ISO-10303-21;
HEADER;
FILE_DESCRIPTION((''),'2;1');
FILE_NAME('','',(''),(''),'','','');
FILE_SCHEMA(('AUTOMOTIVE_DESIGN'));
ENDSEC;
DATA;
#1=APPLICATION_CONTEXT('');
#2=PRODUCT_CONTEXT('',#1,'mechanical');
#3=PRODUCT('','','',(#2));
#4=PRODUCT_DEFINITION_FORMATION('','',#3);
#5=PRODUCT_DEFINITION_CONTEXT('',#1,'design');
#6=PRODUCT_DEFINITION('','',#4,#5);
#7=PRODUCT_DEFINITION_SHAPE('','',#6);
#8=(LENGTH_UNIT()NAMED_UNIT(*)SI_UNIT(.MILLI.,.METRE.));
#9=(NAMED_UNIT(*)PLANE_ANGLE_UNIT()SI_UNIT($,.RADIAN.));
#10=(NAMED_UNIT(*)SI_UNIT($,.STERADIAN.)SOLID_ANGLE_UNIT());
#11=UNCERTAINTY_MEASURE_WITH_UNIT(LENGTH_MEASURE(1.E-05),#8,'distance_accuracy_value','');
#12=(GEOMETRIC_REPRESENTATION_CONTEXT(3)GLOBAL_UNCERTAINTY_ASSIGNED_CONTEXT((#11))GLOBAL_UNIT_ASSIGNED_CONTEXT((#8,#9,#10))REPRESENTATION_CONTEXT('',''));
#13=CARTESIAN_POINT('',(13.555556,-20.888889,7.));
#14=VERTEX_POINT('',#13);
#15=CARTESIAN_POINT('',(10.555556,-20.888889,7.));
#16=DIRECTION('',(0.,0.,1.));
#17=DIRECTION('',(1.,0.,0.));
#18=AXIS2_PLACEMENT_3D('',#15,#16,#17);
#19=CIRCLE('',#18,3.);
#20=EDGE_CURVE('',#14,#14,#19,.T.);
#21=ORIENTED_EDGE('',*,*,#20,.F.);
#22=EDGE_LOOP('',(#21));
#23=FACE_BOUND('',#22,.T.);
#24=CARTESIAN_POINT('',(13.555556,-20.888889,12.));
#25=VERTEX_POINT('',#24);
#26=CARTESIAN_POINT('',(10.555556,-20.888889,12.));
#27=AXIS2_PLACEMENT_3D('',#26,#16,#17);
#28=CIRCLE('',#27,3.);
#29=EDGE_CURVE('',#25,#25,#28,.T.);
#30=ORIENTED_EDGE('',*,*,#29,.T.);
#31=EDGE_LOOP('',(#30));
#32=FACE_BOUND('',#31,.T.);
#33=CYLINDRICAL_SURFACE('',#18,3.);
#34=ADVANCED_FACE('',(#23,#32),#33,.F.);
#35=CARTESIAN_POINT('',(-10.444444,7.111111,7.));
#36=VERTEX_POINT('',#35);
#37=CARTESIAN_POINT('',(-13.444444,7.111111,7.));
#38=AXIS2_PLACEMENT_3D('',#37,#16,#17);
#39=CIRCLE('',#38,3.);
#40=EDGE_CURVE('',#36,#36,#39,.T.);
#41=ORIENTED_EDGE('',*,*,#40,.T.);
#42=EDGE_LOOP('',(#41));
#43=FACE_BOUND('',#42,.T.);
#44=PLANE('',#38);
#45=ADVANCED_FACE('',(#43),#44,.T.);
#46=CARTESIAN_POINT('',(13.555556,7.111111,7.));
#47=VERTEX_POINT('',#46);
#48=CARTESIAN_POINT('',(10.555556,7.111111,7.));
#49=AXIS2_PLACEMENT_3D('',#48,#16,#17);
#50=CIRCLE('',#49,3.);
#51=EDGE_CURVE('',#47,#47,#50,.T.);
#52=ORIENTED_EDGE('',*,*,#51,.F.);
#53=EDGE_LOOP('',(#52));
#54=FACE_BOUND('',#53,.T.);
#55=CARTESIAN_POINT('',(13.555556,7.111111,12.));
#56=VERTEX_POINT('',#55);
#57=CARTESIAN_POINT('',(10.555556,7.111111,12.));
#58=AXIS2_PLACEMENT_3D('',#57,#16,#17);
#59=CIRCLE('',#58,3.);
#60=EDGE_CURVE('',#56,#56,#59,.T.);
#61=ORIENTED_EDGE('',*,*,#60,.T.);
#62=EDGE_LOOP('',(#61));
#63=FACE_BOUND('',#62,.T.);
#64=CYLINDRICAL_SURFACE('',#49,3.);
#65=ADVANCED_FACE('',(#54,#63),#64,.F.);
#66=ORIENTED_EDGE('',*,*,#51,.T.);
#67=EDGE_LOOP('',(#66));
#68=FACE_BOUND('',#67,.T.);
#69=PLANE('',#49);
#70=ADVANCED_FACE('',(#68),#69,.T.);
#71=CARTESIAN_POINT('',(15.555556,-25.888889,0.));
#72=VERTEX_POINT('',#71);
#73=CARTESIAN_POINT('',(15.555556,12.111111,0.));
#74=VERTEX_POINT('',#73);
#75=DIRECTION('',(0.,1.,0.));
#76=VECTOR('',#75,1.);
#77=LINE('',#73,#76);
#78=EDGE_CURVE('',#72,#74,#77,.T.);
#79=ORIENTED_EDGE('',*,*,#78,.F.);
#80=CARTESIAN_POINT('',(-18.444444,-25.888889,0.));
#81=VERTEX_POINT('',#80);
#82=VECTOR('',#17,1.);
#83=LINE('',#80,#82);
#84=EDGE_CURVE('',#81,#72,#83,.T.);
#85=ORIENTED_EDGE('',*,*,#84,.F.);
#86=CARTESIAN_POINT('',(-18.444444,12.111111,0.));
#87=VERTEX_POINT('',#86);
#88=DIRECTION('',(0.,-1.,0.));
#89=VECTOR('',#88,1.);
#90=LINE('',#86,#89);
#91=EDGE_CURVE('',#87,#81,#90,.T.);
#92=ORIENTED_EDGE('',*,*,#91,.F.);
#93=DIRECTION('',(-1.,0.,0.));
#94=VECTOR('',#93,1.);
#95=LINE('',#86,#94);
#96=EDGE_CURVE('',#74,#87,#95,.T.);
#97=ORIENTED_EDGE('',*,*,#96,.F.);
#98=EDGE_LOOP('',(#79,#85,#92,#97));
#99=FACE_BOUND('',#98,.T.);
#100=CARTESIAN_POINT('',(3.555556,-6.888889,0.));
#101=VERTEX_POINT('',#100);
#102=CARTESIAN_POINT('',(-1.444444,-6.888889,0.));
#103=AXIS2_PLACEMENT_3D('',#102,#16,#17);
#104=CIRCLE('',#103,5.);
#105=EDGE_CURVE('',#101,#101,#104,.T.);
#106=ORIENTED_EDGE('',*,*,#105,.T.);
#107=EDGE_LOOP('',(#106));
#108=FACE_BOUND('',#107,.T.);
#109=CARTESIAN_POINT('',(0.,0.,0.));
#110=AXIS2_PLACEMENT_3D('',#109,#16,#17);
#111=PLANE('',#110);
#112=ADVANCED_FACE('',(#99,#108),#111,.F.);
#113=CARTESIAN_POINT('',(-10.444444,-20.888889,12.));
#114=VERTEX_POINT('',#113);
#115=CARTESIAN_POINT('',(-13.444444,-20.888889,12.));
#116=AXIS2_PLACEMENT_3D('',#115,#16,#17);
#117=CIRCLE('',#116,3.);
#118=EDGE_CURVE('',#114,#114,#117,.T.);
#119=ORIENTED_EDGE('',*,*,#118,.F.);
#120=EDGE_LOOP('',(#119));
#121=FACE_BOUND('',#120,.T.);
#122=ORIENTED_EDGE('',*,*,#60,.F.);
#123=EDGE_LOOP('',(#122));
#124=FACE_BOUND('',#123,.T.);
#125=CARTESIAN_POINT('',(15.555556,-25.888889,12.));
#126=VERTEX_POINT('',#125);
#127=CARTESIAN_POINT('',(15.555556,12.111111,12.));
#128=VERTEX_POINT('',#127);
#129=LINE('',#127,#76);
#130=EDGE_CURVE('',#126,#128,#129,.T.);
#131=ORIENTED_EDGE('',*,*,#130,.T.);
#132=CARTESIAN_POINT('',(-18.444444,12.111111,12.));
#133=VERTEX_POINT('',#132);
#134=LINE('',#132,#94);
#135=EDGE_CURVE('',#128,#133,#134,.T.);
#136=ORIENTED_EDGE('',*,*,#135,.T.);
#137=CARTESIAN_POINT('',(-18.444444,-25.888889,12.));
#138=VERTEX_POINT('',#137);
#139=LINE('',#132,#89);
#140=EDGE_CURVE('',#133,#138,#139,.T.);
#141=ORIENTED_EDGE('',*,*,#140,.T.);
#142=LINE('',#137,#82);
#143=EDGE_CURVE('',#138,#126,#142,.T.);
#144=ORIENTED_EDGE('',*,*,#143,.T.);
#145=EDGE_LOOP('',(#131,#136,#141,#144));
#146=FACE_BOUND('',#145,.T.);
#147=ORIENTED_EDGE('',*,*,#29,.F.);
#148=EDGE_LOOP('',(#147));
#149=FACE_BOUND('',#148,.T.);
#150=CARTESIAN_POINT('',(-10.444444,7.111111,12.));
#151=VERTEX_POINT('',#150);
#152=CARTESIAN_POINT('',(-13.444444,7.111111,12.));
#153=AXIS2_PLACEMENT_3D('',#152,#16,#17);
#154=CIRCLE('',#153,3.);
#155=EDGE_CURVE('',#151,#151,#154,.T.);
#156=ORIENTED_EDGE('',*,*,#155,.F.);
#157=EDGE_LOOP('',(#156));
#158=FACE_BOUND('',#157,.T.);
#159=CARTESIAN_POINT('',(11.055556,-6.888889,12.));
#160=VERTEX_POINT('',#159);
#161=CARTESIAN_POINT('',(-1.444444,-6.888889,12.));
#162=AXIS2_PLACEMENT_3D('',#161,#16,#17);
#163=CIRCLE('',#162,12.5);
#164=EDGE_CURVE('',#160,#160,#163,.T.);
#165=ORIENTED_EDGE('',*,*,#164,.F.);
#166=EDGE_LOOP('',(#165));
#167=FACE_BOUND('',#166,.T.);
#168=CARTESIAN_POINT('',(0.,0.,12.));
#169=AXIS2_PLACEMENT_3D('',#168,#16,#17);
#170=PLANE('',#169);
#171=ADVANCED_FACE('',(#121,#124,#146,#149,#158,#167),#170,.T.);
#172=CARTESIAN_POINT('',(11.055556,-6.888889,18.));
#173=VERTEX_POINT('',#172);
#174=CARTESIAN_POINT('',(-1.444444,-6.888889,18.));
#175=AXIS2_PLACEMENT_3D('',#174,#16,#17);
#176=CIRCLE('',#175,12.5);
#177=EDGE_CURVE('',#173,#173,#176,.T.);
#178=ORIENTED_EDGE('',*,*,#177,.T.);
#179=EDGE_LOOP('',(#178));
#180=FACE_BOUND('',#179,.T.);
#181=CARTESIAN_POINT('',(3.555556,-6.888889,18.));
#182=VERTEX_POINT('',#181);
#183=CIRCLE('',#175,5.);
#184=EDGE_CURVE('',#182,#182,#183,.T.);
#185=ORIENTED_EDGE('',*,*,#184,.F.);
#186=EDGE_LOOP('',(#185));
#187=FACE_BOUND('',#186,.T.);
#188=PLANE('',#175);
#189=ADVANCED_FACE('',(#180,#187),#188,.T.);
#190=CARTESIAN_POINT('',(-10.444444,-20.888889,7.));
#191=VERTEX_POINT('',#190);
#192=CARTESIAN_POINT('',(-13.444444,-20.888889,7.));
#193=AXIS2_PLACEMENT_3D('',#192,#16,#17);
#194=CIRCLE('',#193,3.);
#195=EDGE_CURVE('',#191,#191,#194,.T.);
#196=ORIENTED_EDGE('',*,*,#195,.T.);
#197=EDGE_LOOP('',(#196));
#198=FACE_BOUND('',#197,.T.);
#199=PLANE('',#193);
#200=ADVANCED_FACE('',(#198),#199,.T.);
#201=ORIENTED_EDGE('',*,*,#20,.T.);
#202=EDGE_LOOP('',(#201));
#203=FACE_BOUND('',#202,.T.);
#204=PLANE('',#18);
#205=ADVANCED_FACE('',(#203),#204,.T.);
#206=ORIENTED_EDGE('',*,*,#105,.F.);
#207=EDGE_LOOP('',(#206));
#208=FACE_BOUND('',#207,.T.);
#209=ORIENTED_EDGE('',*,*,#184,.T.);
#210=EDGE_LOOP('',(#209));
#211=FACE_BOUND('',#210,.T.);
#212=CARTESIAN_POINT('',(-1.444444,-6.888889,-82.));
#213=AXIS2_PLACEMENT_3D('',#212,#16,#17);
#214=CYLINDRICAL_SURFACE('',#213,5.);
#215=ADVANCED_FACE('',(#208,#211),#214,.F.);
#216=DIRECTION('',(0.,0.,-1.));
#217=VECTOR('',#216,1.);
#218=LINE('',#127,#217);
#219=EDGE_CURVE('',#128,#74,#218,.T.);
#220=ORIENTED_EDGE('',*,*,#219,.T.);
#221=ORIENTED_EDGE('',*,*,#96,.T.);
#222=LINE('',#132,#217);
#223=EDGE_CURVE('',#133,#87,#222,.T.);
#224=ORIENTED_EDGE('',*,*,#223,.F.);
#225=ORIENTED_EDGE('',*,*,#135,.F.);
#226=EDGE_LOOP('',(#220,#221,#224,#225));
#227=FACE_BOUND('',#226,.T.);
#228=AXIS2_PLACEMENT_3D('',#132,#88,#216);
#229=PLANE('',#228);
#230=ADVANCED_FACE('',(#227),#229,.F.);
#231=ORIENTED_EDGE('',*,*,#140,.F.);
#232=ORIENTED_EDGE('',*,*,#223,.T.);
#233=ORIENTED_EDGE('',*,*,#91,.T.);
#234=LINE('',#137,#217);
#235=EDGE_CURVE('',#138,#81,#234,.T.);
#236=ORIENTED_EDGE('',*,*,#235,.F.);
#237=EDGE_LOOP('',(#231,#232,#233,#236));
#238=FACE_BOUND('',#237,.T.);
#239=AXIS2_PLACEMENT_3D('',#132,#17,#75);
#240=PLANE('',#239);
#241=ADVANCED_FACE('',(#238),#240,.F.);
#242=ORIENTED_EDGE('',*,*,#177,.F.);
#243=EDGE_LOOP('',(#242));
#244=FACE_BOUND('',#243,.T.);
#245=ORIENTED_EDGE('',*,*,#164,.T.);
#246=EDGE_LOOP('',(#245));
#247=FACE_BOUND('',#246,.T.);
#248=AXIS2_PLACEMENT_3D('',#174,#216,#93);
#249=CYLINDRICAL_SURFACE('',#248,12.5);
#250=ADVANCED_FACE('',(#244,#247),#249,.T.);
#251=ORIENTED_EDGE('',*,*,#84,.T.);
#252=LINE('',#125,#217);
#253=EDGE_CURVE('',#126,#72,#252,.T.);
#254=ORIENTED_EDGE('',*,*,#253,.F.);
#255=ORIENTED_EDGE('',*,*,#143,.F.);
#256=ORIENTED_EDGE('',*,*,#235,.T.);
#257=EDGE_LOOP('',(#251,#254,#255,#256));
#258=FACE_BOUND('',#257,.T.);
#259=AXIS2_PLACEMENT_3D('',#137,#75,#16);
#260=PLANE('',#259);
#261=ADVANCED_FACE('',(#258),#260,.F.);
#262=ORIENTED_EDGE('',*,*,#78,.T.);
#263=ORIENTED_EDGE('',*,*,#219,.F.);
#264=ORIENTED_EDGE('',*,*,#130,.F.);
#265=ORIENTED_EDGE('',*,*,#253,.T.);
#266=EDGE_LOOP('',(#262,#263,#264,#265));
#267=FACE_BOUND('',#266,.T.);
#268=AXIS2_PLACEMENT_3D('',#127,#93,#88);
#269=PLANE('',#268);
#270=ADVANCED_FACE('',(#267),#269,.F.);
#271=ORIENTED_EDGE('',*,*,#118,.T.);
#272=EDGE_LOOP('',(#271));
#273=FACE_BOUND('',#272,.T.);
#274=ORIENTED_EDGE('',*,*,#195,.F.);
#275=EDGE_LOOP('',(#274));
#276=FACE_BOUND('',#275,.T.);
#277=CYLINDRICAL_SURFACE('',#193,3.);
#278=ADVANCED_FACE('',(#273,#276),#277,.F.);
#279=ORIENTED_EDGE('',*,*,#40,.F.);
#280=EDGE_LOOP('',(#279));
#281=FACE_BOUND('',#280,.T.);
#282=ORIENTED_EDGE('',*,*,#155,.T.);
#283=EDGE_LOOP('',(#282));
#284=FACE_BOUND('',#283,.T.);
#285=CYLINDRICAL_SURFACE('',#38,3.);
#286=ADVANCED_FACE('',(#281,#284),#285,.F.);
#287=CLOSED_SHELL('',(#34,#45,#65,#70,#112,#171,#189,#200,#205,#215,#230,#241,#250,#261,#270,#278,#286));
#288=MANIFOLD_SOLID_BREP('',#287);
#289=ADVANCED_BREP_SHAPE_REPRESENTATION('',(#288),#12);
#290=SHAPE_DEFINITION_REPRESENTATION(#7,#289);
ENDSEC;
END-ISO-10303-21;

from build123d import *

# Parameters (mm, degrees)
SKETCH1_W            = 34
SKETCH1_H            = 38
BOSS_EXTRUDE1_DEPTH  = 12
SKETCH_1_R           = 12.5
EXTRUDE_1_DEPTH      = 6
SKETCH_2_R           = 5
CUT_EXTRUDE_1_DEPTH  = 100
SKETCH2_R            = 3
CUT_EXTRUDE1_DEPTH   = 5
LPATTERN1_COUNT      = 2
LPATTERN1_PITCH      = 24
LPATTERN1_COUNT_DIR2 = 2
LPATTERN1_PITCH_DIR2 = 28


with BuildPart() as part:
    # Sketch1 → Boss-Extrude1 (new body)
    with BuildSketch(Plane.XY):
        with Locations((-1.444444444, -6.888888889)):
            Rectangle(SKETCH1_W, SKETCH1_H)
    extrude(amount=BOSS_EXTRUDE1_DEPTH)

    # Эскиз1 → Бобышка-Вытянуть1 (add)
    with BuildSketch(Plane.XY.offset(12)):
        with Locations((-1.444444444, -6.888888889)):
            Circle(SKETCH_1_R)
    extrude(amount=EXTRUDE_1_DEPTH)

    # Эскиз2 → Вырез-Вытянуть1 (cut)
    with BuildSketch(Plane.XY.offset(18)):
        with Locations((-1.444444444, -6.888888889)):
            Circle(SKETCH_2_R)
    extrude(amount=-CUT_EXTRUDE_1_DEPTH, mode=Mode.SUBTRACT)

    # Sketch2 → Cut-Extrude1 (cut)
    with BuildSketch(Plane.XY.offset(12)):
        with Locations((-13.444444444, 7.111111111)):
            Circle(SKETCH2_R)
    cut_extrude1 = extrude(amount=-CUT_EXTRUDE1_DEPTH, mode=Mode.SUBTRACT)

    # LPattern1: Cut-Extrude1 2 × 2
    with Locations(*[(i * LPATTERN1_PITCH, -j * LPATTERN1_PITCH_DIR2, 0) for i in range(LPATTERN1_COUNT) for j in range(LPATTERN1_COUNT_DIR2) if (i, j) != (0, 0)]):
        add(cut_extrude1, mode=Mode.SUBTRACT)


solid = part.part
